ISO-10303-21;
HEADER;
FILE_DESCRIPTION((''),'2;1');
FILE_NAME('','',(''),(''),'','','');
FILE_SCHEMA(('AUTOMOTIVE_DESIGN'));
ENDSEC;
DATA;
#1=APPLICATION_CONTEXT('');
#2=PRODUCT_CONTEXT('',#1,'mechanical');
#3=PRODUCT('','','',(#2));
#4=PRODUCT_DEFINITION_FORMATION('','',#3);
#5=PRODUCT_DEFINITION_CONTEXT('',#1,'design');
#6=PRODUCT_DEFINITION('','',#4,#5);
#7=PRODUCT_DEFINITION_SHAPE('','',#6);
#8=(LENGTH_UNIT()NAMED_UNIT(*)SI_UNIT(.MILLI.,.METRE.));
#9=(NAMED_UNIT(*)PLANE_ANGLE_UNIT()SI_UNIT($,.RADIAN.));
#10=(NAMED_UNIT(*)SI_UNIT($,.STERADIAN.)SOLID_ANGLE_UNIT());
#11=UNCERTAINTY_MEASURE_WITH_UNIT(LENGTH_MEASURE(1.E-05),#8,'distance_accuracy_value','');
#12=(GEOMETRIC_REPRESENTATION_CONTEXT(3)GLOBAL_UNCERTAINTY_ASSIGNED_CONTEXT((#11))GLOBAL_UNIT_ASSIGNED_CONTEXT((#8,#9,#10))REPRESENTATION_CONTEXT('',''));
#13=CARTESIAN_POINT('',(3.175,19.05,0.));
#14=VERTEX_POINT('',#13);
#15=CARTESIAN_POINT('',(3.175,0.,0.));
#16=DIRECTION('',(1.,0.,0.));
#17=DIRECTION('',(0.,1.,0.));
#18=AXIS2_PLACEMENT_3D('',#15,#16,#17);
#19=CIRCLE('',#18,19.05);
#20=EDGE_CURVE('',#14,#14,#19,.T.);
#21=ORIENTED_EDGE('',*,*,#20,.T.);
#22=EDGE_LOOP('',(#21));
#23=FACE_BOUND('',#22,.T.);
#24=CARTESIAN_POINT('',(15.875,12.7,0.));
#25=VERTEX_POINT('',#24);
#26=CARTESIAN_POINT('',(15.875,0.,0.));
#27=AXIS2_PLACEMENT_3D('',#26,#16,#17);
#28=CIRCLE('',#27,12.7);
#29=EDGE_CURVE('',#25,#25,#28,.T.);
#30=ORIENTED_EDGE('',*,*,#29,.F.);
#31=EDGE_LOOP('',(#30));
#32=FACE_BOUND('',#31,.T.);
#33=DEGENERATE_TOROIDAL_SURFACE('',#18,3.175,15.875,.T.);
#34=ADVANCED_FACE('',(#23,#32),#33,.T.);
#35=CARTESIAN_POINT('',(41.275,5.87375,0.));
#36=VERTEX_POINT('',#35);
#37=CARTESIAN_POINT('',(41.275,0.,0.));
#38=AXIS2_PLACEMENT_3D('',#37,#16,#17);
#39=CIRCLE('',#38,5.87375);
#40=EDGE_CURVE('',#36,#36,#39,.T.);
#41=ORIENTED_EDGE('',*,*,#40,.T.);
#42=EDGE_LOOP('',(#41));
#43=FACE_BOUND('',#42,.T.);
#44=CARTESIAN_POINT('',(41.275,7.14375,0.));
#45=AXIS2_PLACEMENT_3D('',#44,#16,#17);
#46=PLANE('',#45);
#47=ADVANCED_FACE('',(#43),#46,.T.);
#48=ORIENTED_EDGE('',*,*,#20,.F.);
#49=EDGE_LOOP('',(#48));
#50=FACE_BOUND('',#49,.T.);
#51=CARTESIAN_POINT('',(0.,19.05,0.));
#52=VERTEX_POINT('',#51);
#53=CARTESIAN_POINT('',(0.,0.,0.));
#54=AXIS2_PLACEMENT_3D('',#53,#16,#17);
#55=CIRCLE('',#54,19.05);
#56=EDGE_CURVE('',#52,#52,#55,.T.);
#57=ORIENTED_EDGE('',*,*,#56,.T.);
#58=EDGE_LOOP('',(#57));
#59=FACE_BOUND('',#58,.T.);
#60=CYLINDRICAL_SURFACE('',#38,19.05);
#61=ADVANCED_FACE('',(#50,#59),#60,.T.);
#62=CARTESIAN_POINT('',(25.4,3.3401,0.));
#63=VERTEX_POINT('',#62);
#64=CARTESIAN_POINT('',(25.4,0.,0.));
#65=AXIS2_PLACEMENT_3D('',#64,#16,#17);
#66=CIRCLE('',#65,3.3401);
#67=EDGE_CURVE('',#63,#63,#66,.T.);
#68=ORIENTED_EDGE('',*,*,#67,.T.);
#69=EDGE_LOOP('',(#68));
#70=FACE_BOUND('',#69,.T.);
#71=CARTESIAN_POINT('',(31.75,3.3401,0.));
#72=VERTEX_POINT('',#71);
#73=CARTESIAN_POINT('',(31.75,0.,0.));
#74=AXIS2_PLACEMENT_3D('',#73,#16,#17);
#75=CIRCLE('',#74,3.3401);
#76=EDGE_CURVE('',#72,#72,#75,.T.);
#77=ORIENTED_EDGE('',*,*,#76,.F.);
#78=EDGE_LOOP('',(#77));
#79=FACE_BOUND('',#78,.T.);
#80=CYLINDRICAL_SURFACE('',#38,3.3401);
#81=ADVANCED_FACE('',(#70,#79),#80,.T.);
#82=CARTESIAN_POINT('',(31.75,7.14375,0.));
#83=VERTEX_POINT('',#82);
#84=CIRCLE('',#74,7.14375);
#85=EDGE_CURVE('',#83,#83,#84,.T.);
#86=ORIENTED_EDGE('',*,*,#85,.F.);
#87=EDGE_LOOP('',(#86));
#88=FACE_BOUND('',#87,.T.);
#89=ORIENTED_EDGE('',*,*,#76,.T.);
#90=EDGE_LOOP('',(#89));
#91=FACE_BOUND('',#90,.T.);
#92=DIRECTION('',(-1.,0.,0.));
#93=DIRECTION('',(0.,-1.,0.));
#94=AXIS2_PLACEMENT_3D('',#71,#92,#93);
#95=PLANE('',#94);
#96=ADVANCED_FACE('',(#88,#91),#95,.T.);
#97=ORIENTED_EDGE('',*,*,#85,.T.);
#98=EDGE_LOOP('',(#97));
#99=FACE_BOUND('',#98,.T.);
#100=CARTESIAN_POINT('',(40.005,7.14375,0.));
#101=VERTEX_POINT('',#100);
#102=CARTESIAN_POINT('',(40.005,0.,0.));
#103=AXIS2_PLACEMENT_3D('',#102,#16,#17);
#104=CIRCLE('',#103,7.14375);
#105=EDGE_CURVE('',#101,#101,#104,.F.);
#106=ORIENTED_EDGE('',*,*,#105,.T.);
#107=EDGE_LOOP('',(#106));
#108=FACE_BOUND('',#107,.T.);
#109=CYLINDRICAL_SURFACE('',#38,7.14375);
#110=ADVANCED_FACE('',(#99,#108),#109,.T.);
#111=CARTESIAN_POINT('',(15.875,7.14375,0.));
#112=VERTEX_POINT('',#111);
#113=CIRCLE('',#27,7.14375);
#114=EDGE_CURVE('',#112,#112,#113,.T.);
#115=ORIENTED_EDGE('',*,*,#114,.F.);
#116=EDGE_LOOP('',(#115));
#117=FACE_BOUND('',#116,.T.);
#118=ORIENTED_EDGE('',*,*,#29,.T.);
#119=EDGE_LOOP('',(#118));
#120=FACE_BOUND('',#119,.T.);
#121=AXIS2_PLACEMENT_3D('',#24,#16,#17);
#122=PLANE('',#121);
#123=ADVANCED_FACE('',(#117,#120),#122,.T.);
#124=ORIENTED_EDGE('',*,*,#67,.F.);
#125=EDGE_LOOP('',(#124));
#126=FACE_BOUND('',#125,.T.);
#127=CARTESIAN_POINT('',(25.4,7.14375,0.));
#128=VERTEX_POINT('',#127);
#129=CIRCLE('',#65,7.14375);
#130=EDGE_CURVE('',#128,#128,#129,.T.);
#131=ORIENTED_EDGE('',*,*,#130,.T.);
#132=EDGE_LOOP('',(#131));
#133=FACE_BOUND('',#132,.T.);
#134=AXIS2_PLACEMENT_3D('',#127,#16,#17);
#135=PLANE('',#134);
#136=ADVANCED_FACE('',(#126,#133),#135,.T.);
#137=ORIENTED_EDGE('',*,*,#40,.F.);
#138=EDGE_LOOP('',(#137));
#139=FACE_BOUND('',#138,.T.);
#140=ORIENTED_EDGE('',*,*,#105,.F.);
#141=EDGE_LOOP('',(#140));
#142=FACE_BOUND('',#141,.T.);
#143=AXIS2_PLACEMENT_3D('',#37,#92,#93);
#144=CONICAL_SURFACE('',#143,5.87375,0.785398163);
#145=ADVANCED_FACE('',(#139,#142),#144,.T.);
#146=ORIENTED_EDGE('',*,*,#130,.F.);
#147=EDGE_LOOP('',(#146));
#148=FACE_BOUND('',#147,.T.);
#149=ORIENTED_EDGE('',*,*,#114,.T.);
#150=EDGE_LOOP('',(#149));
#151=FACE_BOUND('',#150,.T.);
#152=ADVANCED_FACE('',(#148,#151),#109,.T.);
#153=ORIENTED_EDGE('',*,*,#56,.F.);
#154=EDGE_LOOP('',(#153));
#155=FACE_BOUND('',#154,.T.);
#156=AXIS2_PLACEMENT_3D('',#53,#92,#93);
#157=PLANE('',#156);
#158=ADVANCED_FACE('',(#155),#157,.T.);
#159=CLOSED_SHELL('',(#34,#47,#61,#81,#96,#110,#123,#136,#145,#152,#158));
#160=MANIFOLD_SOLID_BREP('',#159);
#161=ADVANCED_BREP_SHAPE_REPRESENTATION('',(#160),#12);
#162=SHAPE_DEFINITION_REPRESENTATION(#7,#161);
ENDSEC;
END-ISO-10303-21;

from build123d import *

# Parameters (mm, degrees)
CHAMFER1_SIZE = 1.27


with BuildPart() as part:
    # Sketch1 → Revolve1 (revolve)
    with BuildSketch(Plane.XY):
        with BuildLine():
            Line((0, 0), (0, 19.05))
            Line((0, 19.05), (3.175, 19.05))
            ThreePointArc((3.175, 19.05), (10.274515829, 17.374031657), (15.875, 12.7))
            Line((15.875, 12.7), (15.875, 7.14375))
            Line((15.875, 7.14375), (25.4, 7.14375))
            Line((25.4, 7.14375), (25.4, 3.3401))
            Line((25.4, 3.3401), (31.75, 3.3401))
            Line((31.75, 3.3401), (31.75, 7.14375))
            Line((31.75, 7.14375), (41.275, 7.14375))
            Line((41.275, 7.14375), (41.275, 0))
            Line((41.275, 0), (0, 0))
        make_face()
    revolve(axis=Axis((41.275, 0, 0), (-1, 0, 0)))

    # Chamfer1
    chamfer1_edges = [part.edges().sort_by_distance(p)[0] for p in [
        (41.275, -7.14375, 0),
    ]]
    chamfer(chamfer1_edges, length=CHAMFER1_SIZE)


solid = part.part
